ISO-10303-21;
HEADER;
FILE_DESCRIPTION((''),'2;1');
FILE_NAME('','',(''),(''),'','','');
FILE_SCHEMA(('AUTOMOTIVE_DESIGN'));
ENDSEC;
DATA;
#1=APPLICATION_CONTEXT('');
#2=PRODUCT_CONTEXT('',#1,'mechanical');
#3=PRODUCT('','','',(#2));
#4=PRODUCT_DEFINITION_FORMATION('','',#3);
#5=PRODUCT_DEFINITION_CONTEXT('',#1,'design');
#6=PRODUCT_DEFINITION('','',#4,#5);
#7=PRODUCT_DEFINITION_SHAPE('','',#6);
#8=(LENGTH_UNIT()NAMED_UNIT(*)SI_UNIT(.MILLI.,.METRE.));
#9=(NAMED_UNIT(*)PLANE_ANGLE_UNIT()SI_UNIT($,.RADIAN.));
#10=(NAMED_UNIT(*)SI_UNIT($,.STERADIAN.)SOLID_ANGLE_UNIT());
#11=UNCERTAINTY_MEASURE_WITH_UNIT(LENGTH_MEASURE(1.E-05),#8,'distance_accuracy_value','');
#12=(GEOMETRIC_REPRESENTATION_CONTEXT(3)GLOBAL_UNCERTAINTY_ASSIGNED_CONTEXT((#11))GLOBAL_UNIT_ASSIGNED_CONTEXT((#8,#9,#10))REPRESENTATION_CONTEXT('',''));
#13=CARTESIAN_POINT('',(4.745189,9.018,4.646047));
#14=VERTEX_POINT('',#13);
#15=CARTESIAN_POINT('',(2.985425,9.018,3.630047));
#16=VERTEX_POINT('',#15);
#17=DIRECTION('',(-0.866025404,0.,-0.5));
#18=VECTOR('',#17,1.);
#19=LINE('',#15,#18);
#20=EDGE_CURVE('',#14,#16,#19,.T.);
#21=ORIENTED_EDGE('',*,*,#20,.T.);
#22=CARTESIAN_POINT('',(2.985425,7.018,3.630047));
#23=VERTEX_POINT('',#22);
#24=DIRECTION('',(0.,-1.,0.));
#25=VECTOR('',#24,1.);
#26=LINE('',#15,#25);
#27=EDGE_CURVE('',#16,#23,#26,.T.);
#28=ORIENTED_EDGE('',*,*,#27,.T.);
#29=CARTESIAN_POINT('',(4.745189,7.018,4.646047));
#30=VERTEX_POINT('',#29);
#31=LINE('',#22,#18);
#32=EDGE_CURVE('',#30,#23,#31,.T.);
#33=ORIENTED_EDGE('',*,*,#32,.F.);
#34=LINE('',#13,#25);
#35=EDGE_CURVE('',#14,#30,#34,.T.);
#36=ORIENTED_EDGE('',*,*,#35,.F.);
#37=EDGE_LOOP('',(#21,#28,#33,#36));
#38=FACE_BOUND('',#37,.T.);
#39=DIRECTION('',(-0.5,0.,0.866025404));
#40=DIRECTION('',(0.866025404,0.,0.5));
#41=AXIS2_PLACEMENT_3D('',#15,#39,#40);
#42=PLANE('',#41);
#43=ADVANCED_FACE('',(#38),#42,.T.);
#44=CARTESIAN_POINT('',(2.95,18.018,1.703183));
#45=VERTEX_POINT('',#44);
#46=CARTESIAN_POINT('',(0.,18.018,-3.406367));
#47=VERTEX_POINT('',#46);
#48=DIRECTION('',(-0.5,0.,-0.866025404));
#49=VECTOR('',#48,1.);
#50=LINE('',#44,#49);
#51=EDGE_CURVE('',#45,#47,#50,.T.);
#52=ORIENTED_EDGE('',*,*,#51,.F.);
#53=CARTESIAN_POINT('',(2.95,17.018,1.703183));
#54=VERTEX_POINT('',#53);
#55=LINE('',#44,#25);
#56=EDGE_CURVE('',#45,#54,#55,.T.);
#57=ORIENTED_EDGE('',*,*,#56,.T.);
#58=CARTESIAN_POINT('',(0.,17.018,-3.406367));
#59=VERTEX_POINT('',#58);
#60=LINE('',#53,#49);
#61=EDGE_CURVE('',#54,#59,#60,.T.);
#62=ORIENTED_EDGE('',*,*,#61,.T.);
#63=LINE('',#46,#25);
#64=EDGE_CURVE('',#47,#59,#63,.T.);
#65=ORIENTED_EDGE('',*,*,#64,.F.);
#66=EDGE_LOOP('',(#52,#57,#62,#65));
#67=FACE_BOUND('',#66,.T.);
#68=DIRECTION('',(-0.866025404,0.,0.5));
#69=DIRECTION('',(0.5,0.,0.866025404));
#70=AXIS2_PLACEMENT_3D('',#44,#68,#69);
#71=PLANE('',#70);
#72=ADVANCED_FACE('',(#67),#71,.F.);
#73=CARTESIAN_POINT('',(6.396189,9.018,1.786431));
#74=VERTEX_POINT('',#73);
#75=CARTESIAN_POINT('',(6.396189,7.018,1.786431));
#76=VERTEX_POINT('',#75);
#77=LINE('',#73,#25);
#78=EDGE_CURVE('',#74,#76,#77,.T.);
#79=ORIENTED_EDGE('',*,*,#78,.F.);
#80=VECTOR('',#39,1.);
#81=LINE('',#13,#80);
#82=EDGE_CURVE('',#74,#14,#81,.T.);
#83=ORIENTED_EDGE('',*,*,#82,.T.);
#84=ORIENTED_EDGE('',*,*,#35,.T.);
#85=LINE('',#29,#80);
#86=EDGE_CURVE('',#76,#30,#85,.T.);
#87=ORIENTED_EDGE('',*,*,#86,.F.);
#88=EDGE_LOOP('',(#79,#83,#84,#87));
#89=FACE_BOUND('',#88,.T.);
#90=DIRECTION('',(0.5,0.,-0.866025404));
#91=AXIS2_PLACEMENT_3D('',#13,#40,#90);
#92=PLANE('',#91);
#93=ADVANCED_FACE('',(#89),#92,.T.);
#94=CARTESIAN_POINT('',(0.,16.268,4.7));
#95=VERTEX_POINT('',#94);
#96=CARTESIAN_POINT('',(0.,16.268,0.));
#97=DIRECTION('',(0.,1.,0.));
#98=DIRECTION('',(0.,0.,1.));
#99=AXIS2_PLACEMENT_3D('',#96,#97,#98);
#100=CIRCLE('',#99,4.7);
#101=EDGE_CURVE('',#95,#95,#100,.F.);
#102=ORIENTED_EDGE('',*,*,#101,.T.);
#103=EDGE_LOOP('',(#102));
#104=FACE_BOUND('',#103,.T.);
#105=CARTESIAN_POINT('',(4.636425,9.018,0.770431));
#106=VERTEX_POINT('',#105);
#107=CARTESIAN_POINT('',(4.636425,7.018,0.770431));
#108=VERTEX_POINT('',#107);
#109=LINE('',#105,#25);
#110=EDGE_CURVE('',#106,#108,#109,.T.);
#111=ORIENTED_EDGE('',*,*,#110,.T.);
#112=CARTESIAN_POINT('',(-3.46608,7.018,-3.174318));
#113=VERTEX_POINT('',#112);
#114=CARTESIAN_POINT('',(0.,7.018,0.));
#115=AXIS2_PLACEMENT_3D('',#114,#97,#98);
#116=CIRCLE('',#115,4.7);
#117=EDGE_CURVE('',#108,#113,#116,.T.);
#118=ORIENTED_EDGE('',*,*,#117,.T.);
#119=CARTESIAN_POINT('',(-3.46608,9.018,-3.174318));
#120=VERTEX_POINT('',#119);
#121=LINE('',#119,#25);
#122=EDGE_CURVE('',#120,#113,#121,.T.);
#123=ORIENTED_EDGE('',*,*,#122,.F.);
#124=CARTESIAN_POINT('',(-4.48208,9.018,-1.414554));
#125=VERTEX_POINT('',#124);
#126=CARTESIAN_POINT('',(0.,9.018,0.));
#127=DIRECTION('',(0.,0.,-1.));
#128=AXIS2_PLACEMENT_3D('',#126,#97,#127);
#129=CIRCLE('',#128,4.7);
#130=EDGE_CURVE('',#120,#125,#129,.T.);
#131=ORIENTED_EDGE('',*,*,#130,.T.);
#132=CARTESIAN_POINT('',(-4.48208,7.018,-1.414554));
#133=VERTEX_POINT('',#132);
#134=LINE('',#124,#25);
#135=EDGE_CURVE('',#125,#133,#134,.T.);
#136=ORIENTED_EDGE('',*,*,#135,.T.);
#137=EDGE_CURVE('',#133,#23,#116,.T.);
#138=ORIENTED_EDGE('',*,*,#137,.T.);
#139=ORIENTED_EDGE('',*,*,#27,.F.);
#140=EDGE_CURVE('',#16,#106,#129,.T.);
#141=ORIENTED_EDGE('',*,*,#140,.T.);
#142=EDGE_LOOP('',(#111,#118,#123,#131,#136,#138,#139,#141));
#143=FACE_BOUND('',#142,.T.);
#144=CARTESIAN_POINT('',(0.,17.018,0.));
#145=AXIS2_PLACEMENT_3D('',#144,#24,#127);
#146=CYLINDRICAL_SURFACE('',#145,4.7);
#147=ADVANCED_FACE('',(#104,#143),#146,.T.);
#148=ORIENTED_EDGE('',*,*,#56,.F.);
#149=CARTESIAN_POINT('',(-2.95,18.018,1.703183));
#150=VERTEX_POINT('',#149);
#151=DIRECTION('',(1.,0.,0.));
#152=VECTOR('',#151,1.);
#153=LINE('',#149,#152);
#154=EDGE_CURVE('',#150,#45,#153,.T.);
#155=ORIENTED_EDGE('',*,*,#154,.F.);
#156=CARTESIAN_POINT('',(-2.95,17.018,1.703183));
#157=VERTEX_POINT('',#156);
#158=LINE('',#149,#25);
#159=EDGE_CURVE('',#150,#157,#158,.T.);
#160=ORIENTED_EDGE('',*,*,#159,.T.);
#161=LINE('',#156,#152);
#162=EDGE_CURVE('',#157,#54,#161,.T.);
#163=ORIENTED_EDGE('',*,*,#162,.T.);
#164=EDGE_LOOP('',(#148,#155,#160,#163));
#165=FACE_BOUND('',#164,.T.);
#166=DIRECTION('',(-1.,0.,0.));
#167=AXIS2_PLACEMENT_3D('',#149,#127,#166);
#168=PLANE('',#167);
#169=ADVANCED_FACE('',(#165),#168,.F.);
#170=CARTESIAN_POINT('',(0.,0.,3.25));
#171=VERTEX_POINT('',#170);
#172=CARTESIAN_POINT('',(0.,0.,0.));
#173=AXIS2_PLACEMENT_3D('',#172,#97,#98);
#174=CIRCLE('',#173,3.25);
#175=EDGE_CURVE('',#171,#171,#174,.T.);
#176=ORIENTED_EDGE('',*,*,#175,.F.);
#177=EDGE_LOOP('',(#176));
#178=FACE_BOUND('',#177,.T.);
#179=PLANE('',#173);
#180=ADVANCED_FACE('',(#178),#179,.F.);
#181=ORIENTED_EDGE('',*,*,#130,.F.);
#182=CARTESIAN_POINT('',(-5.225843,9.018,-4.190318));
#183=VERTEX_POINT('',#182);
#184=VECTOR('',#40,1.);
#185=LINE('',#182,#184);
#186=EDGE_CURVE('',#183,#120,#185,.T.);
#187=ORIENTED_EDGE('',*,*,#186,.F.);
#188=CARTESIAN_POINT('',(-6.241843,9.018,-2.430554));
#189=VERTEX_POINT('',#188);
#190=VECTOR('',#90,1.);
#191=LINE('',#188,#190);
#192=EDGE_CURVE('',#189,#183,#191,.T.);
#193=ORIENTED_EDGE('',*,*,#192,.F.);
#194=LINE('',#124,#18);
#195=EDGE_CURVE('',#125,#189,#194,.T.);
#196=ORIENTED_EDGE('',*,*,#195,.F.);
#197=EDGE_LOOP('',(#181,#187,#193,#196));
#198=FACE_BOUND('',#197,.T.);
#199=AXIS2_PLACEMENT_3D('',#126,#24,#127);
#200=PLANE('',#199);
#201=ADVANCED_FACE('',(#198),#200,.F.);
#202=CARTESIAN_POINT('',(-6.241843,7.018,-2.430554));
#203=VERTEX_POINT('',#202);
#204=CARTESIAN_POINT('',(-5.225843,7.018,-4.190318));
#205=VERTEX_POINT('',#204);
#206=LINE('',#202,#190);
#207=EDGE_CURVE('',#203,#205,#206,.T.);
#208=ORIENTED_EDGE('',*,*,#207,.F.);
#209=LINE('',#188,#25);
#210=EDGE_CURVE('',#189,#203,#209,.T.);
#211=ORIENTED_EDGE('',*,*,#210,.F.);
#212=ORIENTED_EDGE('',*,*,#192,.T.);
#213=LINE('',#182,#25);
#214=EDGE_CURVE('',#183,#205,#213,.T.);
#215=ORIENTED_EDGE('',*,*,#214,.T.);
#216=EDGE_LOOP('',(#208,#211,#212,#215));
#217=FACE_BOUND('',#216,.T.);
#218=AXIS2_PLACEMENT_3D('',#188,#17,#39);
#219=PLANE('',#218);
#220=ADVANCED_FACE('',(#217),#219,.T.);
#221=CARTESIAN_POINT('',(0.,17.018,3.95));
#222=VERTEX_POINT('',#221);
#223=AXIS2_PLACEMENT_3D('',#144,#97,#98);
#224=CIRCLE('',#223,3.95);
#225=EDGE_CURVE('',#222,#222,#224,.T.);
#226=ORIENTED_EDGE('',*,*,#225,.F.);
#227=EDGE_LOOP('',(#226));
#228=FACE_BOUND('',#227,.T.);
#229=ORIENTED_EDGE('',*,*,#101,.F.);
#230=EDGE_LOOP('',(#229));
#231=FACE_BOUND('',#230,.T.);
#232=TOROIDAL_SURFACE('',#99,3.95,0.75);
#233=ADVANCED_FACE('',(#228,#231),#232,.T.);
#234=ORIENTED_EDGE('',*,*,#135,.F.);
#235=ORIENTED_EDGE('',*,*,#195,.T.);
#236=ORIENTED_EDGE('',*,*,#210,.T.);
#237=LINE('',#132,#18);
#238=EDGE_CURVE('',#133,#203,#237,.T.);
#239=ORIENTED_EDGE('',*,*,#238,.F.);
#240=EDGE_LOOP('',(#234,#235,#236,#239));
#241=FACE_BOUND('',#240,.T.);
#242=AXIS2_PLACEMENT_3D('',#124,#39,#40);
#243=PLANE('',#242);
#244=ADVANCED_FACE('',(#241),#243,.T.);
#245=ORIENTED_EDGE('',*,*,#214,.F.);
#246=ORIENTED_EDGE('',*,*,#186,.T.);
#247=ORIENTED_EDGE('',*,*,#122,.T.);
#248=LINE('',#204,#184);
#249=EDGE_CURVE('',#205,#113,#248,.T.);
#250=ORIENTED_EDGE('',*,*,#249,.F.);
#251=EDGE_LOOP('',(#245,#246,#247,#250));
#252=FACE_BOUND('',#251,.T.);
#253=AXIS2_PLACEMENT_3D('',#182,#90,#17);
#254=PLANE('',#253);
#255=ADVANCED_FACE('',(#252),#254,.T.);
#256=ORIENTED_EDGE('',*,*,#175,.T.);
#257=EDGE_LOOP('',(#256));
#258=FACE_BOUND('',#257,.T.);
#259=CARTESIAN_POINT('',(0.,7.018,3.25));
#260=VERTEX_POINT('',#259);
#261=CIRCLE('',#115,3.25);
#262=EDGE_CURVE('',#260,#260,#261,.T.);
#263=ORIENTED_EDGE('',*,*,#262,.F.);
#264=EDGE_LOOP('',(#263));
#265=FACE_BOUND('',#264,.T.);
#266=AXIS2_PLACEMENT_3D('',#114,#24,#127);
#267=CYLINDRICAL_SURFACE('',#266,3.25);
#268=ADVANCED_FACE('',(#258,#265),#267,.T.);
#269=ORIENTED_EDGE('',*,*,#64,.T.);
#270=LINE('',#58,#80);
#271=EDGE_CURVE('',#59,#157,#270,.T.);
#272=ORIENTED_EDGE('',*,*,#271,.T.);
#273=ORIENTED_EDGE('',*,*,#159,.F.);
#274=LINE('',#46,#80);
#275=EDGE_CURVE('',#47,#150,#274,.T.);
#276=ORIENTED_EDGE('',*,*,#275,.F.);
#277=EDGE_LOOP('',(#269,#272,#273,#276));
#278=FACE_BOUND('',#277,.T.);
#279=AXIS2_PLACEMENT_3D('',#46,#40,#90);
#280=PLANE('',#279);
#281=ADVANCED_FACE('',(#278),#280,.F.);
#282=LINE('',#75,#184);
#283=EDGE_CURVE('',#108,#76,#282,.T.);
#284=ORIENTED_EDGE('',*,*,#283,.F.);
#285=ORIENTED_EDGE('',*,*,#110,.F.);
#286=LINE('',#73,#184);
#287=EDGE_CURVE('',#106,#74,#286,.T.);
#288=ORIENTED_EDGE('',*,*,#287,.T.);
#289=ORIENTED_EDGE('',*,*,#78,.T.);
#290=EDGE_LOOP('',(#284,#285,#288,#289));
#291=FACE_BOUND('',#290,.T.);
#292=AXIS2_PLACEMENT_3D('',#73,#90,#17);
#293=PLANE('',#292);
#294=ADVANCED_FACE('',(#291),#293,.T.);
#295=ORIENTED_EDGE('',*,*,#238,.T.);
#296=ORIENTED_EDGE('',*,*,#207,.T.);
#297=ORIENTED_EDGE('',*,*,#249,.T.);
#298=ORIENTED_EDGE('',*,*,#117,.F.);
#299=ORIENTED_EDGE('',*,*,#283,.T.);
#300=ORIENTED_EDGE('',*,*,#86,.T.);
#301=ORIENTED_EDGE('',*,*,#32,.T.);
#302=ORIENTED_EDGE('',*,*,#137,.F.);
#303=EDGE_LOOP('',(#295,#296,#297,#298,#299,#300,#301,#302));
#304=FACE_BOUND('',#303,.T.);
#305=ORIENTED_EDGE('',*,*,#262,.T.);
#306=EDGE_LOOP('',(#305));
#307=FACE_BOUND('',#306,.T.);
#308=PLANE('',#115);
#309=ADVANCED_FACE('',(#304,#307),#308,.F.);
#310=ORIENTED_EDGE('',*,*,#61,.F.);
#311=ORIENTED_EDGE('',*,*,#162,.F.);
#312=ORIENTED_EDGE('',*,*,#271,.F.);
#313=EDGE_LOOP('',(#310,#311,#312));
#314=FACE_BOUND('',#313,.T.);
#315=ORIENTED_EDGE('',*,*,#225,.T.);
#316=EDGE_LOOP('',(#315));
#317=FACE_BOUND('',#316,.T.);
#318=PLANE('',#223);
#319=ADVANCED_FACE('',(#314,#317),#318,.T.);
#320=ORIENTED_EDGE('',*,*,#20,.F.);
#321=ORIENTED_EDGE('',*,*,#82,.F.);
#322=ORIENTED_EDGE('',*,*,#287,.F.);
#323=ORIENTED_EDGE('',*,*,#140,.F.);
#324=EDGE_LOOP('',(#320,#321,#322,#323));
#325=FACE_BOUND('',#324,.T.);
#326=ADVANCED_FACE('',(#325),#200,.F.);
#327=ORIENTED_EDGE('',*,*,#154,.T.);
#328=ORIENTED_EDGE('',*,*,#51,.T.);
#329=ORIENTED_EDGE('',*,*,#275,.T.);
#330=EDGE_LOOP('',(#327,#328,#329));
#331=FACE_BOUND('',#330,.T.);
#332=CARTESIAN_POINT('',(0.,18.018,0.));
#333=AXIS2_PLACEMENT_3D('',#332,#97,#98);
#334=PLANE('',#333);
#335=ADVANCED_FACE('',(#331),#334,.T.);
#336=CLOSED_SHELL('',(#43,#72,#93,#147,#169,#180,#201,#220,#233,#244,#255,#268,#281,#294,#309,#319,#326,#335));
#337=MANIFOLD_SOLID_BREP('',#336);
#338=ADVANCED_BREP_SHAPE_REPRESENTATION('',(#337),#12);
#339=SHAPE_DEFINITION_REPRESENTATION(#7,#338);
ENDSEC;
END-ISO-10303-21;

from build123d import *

# Parameters (mm, degrees)
SKETCH1_R           = 3.25
BOSS_EXTRUDE1_DEPTH = 7.018
SKETCH6_R           = 4.7
BOSS_EXTRUDE2_DEPTH = 10
BOSS_EXTRUDE5_DEPTH = 1
FILLET1_R           = 0.75
BOSS_EXTRUDE6_DEPTH = 2


with BuildPart() as part:
    # Sketch1 → Boss-Extrude1 (new body)
    with BuildSketch(Plane(origin=(0, 0, 0), x_dir=(1, 0, 0), z_dir=(0, 1, 0))):
        Circle(SKETCH1_R)
    extrude(amount=BOSS_EXTRUDE1_DEPTH)

    # Sketch6 → Boss-Extrude2 (add)
    with BuildSketch(Plane(origin=(0, 7.018, 0), x_dir=(1, 0, 0), z_dir=(0, 1, 0))):
        Circle(SKETCH6_R)
    extrude(amount=BOSS_EXTRUDE2_DEPTH)

    # Sketch7 → Boss-Extrude5 (add)
    with BuildSketch(Plane(origin=(0, 17.018, 0), x_dir=(1, 0, 0), z_dir=(0, 1, 0))):
        Polygon((2.95, -1.703183294), (0, 3.406366588), (-2.95, -1.703183294), align=None)
    extrude(amount=BOSS_EXTRUDE5_DEPTH)

    # Fillet1
    fillet1_edges = [part.edges().sort_by_distance(p)[0] for p in [
        (-4.7, 17.018, 0),
    ]]
    fillet(fillet1_edges, radius=FILLET1_R)

    # Sketch8 → Boss-Extrude6 (add)
    with BuildSketch(Plane.XZ.offset(-7.018)):
        with BuildLine():
            Line((-4.482079516, -1.414554068), (-6.241843137, -2.430554068))
            Line((-6.241843137, -2.430554068), (-5.225843137, -4.190317689))
            Line((-5.225843137, -4.190317689), (-3.466079516, -3.174317689))
            ThreePointArc((-3.466079516, -3.174317689), (-4.070319398, -2.35), (-4.482079516, -1.414554068))
        make_face()
        with BuildLine():
            Line((2.985424986, 3.630046508), (4.745188607, 4.646046508))
            Line((4.745188607, 4.646046508), (6.396188607, 1.786430625))
            Line((6.396188607, 1.786430625), (4.636424986, 0.770430625))
            ThreePointArc((4.636424986, 0.770430625), (4.070319398, 2.35), (2.985424986, 3.630046508))
        make_face()
    extrude(amount=-BOSS_EXTRUDE6_DEPTH)


solid = part.part
